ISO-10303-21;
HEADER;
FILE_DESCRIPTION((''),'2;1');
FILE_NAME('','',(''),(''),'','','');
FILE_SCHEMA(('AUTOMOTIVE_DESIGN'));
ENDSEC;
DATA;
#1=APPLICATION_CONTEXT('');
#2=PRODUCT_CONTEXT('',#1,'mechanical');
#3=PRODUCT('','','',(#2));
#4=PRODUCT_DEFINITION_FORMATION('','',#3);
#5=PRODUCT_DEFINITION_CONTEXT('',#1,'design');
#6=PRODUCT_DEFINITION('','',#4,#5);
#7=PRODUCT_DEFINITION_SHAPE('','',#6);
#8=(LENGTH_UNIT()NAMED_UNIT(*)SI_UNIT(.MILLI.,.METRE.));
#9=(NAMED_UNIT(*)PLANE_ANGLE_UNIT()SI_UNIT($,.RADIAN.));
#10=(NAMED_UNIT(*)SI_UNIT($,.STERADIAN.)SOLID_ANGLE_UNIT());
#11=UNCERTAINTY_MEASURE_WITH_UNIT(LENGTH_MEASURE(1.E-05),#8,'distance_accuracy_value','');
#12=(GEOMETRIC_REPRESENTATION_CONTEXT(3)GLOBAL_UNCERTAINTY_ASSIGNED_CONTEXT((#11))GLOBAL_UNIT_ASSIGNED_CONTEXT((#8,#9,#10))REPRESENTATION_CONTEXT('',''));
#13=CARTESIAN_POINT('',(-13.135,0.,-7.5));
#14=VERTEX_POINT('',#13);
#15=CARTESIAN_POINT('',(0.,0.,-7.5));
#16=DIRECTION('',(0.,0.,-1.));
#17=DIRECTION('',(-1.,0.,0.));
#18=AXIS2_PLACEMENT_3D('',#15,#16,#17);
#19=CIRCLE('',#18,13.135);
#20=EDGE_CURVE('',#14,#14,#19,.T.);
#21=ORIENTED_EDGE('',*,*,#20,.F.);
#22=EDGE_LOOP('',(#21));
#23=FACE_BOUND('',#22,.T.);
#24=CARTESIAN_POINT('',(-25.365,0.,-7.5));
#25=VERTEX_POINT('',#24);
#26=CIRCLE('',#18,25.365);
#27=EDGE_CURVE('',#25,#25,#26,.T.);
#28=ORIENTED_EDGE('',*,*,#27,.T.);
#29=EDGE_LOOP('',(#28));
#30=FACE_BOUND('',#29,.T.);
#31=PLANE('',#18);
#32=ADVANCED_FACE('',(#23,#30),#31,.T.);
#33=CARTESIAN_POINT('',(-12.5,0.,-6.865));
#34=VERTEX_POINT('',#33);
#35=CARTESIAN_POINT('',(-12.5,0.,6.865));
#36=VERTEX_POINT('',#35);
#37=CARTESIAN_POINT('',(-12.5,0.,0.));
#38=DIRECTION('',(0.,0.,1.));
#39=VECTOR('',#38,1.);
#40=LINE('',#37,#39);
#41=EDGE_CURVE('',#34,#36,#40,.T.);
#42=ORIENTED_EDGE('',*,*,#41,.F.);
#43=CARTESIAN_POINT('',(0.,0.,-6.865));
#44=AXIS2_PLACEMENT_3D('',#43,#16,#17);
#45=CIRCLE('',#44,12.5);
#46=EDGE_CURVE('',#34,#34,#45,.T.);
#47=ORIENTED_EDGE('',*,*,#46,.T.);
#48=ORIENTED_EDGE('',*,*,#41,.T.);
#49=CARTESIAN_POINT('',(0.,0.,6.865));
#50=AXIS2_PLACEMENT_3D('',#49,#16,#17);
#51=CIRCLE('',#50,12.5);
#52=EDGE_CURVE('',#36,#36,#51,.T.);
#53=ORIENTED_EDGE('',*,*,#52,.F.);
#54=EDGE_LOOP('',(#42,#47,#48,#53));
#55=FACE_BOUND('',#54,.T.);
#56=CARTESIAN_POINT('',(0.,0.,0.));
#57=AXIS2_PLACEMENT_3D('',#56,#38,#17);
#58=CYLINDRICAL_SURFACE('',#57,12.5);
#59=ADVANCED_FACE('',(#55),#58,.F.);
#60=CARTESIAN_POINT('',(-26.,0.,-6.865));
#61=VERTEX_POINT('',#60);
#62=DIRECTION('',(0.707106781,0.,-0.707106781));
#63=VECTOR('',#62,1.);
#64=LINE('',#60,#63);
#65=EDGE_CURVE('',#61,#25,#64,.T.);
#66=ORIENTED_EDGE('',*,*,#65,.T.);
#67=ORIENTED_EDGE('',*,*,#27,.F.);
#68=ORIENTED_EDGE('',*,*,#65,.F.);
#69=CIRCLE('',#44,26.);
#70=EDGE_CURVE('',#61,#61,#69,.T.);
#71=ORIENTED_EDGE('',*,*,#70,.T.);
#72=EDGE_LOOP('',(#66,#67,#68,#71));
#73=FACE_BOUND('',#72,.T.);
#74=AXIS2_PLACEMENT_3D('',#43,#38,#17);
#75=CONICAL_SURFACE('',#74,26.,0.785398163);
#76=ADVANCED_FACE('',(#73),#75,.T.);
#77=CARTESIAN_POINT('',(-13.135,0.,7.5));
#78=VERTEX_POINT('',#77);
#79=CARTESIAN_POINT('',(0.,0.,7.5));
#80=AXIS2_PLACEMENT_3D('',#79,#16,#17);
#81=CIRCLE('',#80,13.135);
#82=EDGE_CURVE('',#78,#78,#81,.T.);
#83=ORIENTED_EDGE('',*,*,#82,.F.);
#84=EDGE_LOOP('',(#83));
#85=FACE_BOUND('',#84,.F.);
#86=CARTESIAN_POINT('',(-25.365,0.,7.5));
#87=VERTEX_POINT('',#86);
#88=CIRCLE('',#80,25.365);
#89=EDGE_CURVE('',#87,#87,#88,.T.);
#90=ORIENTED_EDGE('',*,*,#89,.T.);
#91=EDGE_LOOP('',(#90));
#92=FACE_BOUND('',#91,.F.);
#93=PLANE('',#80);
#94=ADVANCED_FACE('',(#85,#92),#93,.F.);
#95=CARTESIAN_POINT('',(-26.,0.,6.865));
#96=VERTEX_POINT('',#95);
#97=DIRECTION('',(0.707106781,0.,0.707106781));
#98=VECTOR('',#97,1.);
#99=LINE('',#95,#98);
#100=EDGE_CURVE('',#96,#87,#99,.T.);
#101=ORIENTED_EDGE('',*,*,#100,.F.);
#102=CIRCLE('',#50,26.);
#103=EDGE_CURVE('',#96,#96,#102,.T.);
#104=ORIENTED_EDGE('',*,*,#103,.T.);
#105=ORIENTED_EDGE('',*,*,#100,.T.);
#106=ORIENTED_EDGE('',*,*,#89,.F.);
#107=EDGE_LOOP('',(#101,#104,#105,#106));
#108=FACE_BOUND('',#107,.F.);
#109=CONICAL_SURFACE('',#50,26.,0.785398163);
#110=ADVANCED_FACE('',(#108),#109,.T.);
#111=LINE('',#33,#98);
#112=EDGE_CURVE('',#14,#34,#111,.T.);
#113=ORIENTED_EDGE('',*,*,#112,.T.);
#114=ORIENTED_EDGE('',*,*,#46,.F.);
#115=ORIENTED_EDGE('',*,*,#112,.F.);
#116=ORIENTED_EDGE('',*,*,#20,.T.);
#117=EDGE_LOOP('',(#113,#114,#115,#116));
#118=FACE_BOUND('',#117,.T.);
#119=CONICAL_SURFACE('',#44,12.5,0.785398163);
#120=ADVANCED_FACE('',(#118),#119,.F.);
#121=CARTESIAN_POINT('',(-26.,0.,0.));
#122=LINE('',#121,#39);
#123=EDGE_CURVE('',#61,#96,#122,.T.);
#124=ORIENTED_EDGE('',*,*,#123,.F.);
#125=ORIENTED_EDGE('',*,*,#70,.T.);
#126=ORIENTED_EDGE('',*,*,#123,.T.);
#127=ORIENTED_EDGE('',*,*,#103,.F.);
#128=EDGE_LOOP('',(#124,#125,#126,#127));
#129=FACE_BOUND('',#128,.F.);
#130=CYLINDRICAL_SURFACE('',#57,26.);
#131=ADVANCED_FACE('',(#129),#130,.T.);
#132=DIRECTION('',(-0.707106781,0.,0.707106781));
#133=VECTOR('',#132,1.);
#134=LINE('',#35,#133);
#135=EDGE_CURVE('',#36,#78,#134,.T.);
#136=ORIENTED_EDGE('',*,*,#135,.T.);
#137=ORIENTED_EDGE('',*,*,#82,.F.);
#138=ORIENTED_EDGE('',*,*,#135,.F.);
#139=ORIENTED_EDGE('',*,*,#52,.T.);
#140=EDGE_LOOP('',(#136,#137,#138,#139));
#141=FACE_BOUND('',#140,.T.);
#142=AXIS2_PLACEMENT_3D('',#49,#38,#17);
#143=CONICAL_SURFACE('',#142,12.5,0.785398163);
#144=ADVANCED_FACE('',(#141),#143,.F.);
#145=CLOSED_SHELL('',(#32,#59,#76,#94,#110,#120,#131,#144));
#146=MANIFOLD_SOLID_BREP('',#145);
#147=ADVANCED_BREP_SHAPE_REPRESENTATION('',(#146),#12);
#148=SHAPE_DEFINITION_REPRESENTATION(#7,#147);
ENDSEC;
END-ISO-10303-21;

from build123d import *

# Parameters (mm, degrees)
F0_W    = 13.5
F0_H    = 15
F2_SIZE = 0.635


with BuildPart() as f1:
    # F0 (on Front) → F1 (revolve)
    with BuildSketch(Plane.XZ):
        with Locations((-19.25, 0)):
            Rectangle(F0_W, F0_H)
    revolve(axis=Axis((0, 0, 3.400517), (0, 0, -1)))

    # F2
    f2_edges = [f1.edges().sort_by_distance(p)[0] for p in [
        (26, 0, 7.5),
        (26, 0, -7.5),
        (12.5, 0, 7.5),
        (12.5, 0, -7.5),
    ]]
    chamfer(f2_edges, length=F2_SIZE)


solid = f1.part
